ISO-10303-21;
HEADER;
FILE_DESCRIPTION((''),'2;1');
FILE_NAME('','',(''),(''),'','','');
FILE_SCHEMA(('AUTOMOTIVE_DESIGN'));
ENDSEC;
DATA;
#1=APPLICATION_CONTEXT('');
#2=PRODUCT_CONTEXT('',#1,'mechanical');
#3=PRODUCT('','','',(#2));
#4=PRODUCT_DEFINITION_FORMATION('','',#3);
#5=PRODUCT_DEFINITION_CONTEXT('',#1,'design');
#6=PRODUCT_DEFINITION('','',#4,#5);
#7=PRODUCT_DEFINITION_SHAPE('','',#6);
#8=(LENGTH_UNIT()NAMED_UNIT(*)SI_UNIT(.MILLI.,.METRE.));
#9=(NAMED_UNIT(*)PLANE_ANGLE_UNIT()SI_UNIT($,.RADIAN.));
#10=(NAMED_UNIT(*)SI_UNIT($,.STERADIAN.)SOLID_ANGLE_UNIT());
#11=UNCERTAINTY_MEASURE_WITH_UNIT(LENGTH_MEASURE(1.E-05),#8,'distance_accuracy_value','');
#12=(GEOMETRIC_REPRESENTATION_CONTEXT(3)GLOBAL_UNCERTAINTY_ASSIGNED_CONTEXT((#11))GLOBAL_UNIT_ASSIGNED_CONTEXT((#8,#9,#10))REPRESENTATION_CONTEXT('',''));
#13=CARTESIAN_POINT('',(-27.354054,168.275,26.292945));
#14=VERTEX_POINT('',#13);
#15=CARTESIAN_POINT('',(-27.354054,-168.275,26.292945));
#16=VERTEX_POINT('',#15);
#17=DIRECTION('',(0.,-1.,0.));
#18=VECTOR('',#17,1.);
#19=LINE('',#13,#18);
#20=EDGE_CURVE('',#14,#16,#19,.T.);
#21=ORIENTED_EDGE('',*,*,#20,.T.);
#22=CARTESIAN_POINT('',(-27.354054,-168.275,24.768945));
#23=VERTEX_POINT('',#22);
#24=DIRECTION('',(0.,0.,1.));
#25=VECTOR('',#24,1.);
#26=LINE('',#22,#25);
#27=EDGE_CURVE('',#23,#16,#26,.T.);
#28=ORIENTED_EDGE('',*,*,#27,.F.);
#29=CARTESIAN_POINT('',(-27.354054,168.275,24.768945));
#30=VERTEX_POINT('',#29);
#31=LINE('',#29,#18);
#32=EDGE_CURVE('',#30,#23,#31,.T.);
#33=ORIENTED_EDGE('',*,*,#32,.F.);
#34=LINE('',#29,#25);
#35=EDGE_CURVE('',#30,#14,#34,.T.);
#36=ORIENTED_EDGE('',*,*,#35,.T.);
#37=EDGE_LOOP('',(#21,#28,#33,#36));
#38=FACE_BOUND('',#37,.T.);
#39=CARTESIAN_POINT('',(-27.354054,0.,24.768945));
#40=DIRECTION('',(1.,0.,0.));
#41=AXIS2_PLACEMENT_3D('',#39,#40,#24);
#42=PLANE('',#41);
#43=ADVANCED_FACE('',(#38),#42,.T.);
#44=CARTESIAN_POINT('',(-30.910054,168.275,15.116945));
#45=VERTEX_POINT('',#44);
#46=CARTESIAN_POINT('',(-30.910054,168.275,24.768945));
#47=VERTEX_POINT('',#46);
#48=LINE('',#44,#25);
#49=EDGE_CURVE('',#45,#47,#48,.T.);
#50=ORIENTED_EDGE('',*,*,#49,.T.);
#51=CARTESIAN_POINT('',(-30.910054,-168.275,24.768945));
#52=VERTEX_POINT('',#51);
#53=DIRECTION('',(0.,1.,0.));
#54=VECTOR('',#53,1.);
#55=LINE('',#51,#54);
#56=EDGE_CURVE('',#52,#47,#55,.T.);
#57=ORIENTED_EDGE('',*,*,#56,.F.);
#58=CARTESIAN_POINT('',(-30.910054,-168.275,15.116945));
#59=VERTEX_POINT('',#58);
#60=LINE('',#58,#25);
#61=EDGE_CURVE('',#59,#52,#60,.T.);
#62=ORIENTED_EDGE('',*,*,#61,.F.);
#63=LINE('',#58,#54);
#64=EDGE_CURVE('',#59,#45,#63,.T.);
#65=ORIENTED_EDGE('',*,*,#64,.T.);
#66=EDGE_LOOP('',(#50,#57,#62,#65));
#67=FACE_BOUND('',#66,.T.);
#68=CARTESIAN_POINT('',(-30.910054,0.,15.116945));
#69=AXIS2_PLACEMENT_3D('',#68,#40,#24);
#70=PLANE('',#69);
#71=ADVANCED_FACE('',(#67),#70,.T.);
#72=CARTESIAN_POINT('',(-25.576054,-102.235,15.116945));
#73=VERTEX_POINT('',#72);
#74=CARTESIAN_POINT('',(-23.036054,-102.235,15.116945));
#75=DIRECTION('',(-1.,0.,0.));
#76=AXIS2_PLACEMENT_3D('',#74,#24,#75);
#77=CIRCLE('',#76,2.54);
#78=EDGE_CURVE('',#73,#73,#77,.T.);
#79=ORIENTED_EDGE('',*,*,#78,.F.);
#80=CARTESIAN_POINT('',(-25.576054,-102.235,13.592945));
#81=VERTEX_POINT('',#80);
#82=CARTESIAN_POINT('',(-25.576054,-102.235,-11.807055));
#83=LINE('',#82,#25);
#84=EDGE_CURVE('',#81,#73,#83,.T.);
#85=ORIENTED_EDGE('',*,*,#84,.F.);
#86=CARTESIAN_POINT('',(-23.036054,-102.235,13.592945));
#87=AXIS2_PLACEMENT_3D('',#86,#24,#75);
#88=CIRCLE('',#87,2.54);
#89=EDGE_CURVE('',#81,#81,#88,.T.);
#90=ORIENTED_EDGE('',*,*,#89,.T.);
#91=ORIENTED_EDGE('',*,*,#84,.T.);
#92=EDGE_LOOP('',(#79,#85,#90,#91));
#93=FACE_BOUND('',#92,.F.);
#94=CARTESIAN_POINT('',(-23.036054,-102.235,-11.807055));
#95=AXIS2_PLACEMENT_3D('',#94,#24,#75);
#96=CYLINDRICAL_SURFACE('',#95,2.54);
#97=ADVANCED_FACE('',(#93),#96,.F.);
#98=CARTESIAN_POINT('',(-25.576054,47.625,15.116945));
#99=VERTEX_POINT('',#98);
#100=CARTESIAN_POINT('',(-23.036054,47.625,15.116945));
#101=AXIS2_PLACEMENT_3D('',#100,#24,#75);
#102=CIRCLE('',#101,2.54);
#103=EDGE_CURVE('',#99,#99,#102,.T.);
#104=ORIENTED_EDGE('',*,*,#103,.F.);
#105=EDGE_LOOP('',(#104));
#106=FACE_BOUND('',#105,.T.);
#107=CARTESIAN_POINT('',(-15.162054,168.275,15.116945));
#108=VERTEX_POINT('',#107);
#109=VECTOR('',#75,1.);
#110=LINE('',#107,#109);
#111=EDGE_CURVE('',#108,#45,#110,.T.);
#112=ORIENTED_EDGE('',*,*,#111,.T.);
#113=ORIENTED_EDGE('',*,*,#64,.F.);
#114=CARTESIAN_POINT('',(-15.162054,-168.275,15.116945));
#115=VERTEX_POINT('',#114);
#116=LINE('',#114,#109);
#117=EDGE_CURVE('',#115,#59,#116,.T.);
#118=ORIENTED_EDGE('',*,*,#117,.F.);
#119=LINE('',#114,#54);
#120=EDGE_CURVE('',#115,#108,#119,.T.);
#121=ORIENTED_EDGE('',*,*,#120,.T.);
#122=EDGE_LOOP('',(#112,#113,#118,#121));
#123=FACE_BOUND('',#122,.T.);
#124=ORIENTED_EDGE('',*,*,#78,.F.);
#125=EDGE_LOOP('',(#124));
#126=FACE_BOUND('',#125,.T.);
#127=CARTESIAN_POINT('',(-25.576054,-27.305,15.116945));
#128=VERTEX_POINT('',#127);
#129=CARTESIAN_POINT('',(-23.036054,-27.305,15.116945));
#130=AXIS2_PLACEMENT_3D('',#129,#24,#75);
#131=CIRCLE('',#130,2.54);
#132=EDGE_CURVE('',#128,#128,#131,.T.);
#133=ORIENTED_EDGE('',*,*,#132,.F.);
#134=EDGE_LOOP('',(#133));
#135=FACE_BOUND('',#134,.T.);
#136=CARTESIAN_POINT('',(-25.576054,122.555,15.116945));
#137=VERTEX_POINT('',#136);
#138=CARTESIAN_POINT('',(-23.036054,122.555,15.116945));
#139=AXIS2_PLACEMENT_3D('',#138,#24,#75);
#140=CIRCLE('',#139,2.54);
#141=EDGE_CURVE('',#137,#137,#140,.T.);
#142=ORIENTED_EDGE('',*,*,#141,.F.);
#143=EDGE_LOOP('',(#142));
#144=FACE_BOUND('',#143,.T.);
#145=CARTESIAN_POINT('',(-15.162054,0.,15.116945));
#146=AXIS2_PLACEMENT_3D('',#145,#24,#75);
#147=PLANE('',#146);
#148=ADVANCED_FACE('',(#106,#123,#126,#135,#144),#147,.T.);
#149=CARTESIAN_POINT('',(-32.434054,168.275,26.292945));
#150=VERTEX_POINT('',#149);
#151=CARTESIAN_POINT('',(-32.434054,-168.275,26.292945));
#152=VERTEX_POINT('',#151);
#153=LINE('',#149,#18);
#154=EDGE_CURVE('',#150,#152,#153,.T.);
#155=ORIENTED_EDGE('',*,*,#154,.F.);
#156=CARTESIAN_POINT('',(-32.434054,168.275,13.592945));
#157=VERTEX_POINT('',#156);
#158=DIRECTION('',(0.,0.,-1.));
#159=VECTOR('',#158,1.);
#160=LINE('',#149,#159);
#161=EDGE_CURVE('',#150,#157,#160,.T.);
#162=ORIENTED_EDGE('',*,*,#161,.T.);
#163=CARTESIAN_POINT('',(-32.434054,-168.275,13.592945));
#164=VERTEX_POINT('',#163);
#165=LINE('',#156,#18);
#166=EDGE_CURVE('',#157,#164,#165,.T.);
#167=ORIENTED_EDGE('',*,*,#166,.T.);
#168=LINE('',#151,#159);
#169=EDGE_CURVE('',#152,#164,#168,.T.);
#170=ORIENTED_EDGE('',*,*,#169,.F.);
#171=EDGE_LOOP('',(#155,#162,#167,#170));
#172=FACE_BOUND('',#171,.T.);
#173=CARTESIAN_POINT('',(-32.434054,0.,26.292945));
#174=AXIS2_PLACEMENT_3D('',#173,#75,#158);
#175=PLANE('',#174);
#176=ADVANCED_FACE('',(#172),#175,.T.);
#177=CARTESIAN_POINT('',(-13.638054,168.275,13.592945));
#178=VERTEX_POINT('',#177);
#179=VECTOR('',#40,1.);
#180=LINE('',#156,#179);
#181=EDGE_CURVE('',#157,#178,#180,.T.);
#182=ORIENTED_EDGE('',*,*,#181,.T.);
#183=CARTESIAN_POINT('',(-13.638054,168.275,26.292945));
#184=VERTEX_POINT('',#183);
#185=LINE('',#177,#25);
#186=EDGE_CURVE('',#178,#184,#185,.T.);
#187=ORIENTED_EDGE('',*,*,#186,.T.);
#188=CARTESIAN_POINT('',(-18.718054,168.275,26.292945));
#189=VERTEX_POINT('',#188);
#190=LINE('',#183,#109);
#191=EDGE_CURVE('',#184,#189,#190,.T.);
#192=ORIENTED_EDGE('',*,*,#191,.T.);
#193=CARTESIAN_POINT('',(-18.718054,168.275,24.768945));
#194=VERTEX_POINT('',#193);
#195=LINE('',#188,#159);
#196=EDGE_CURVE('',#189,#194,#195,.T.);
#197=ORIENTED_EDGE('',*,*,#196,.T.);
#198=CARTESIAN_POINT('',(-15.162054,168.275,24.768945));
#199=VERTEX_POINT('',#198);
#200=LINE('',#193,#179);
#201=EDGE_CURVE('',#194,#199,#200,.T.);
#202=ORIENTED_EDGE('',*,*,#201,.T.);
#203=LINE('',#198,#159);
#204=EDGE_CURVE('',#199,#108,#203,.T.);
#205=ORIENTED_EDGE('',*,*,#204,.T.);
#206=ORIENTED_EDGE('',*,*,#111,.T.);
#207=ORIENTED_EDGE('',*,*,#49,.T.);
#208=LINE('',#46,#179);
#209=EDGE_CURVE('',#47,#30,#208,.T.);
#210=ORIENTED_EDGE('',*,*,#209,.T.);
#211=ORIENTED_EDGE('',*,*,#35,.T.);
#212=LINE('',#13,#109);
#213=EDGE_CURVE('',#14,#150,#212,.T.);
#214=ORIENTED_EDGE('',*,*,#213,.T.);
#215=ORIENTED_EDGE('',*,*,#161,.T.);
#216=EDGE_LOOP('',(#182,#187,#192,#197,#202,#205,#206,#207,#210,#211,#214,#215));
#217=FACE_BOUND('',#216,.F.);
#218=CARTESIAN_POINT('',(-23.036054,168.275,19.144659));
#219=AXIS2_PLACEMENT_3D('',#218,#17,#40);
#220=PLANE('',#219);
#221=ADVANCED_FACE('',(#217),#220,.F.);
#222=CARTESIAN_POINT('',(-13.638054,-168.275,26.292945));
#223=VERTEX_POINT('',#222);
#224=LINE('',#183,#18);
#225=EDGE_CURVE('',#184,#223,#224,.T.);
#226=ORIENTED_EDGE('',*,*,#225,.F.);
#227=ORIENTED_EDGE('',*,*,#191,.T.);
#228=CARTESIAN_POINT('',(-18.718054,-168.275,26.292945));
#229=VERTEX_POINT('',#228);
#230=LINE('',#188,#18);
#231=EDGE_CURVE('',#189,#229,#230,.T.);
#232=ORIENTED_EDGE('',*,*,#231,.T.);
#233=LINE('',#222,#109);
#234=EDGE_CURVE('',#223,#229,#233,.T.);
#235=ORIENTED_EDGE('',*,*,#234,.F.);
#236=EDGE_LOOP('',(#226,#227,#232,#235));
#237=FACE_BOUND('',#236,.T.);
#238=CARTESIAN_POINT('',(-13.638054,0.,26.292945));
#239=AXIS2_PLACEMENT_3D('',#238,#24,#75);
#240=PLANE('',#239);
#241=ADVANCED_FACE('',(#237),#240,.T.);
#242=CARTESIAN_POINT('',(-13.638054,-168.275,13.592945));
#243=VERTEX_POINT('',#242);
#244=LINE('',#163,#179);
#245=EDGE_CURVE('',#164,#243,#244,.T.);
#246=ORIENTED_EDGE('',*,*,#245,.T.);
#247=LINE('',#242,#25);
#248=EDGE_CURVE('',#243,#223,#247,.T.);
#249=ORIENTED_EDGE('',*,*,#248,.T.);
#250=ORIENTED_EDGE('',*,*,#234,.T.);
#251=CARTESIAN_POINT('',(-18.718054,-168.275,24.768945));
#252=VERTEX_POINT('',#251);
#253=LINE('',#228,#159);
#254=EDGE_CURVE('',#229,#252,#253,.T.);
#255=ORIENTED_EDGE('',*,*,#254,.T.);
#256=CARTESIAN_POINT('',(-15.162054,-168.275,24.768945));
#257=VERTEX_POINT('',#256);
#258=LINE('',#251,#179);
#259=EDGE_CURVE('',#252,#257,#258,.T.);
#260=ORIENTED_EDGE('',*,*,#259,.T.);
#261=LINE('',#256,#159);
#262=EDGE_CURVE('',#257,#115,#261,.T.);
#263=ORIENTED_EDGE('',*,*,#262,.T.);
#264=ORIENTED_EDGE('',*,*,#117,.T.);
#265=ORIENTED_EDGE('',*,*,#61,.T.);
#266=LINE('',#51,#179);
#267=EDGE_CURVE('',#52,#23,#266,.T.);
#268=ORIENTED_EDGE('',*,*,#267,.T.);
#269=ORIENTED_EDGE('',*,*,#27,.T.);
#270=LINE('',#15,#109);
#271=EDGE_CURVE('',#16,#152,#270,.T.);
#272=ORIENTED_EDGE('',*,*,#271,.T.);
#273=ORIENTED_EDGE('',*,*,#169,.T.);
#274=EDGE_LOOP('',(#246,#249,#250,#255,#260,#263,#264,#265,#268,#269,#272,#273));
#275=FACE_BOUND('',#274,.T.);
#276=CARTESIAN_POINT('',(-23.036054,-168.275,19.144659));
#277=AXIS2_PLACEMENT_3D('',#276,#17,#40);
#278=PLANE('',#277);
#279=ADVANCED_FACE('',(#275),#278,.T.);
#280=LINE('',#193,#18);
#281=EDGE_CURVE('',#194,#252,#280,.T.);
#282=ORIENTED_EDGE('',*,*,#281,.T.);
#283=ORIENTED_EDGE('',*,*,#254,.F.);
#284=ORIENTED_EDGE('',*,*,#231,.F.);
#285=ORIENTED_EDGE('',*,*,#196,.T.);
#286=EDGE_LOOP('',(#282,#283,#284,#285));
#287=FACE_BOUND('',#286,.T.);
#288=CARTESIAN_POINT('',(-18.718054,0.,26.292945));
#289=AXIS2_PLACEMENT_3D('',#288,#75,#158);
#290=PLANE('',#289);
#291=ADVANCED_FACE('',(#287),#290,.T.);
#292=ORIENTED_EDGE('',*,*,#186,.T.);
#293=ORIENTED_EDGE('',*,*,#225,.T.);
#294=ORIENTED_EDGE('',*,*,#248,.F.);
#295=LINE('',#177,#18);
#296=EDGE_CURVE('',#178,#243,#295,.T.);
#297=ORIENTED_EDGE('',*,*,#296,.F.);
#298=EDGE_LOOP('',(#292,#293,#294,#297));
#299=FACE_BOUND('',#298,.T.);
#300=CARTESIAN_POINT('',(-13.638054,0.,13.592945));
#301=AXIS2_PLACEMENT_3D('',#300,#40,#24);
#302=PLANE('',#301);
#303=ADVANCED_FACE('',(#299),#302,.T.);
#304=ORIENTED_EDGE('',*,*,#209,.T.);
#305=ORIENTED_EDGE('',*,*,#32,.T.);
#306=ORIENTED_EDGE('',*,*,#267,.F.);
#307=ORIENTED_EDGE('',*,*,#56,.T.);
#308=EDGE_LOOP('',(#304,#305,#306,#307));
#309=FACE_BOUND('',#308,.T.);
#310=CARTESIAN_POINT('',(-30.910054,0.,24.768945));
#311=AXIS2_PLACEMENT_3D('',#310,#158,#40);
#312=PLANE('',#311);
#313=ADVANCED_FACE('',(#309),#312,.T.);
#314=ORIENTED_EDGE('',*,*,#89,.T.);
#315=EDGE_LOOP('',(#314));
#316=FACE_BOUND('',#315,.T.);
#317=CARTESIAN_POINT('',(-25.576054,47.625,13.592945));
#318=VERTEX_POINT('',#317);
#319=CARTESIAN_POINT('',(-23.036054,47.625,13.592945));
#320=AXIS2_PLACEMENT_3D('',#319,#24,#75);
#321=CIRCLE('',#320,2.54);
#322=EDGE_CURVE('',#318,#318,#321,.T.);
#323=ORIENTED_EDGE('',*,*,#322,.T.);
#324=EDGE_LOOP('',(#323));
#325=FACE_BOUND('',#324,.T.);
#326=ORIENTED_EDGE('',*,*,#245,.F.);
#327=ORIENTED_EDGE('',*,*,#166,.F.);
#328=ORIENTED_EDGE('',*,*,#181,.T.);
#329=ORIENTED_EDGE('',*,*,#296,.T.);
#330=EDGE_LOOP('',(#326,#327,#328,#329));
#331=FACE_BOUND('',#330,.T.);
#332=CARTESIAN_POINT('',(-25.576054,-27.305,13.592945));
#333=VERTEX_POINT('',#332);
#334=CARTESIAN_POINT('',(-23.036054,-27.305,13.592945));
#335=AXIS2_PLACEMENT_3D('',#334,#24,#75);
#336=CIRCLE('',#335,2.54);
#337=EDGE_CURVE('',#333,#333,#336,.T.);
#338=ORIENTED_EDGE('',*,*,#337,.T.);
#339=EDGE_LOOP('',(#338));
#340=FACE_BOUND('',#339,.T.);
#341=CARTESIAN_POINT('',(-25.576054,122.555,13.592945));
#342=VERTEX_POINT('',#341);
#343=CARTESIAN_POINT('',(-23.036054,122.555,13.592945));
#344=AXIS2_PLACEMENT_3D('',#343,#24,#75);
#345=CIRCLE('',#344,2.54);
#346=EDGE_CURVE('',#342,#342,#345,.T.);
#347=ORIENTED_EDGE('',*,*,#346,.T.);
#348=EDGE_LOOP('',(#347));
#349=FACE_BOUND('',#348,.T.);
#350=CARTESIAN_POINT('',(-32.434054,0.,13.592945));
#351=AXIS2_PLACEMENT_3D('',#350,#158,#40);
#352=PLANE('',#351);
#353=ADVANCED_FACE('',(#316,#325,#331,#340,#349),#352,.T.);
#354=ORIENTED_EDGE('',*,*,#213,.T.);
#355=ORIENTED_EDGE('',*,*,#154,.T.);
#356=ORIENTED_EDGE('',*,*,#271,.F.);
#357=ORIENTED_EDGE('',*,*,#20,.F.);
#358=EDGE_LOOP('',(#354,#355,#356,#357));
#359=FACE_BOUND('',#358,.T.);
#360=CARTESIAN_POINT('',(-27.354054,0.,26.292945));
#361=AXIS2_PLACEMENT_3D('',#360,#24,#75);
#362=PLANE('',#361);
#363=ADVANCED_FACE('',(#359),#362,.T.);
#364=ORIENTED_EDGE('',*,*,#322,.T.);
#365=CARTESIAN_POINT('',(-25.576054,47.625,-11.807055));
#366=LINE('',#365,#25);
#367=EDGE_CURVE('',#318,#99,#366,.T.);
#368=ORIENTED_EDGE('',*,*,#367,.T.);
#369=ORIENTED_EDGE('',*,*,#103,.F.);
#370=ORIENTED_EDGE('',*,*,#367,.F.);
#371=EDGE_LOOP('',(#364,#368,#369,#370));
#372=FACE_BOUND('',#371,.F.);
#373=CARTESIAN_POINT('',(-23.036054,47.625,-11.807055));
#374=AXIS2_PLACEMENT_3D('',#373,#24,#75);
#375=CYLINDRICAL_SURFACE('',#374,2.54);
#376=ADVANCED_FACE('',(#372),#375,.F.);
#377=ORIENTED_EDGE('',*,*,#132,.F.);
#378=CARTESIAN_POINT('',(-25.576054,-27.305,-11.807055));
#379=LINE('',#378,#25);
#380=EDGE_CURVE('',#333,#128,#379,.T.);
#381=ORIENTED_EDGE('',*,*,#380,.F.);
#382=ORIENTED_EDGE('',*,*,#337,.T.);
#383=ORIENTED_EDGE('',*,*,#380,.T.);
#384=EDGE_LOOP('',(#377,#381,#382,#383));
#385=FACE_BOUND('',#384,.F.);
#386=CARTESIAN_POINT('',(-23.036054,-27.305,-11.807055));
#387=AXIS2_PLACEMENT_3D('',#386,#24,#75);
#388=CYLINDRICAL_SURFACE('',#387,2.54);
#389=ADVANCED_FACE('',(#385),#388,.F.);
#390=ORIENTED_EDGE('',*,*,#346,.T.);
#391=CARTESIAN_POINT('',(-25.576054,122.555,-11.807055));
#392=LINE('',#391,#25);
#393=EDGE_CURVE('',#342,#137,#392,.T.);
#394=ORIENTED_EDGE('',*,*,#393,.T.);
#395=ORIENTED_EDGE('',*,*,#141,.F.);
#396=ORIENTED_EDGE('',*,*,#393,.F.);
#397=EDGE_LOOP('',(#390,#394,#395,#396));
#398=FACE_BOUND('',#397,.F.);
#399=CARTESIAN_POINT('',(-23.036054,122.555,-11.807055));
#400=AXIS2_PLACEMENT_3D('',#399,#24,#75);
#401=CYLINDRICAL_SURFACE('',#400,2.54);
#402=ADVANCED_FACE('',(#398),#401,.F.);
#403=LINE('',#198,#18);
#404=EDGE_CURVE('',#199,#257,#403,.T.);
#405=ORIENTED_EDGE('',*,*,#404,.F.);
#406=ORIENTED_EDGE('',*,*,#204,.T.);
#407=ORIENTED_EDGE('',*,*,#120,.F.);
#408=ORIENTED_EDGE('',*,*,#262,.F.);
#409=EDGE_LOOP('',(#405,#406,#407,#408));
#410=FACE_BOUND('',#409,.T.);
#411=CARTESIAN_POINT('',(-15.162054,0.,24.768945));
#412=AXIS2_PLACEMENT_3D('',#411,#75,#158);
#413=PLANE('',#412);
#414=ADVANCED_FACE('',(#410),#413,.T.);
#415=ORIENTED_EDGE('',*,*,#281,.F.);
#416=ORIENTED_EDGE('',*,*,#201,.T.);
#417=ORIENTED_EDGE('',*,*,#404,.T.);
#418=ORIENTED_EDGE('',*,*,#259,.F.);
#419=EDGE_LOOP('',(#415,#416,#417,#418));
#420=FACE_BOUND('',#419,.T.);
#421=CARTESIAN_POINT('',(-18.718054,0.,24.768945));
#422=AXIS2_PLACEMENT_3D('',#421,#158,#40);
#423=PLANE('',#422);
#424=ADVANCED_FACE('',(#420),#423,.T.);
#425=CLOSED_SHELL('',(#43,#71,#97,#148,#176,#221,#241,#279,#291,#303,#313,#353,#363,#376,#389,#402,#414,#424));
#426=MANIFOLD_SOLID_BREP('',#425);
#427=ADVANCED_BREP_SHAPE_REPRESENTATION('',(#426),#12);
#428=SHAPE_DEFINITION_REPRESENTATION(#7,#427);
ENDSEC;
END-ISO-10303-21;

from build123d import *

# Parameters (mm, degrees)
F1_DEPTH = 168.275
F3_D     = 5.08
F3_DEPTH = 25.4
F3_TIP   = 1.5261859723


with BuildPart() as f1:
    # F0 (on Front) → F1 (new body, symmetric)
    with BuildSketch(Plane.XZ):
        Polygon((-30.9100538699, 24.7689448648), (-27.3540538699, 24.7689448648), (-27.3540538699, 26.2929448648), (-32.4340538699, 26.2929448648), (-32.4340538699, 13.5929448648), (-13.6380538699, 13.5929448648), (-13.6380538699, 26.2929448648), (-18.7180538699, 26.2929448648), (-18.7180538699, 24.7689448648), (-15.1620538699, 24.7689448648), (-15.1620538699, 15.1169448648), (-30.9100538699, 15.1169448648), align=None)
    extrude(amount=F1_DEPTH, both=True)

    # F3
    with Locations(Plane(origin=(0, 0, 13.5929448648), x_dir=(1, 0, 0), z_dir=(0, 0, -1))):
        with Locations((-23.0360538699, 102.235), (-23.0360538699, 27.305), (-23.0360538699, -47.625), (-23.0360538699, -122.555)):
            Hole(F3_D / 2, depth=F3_DEPTH)
            with Locations((0, 0, -(F3_DEPTH + F3_TIP / 2))):  # 118° drill point
                Cone(0, F3_D / 2, F3_TIP, mode=Mode.SUBTRACT)


solid = f1.part
